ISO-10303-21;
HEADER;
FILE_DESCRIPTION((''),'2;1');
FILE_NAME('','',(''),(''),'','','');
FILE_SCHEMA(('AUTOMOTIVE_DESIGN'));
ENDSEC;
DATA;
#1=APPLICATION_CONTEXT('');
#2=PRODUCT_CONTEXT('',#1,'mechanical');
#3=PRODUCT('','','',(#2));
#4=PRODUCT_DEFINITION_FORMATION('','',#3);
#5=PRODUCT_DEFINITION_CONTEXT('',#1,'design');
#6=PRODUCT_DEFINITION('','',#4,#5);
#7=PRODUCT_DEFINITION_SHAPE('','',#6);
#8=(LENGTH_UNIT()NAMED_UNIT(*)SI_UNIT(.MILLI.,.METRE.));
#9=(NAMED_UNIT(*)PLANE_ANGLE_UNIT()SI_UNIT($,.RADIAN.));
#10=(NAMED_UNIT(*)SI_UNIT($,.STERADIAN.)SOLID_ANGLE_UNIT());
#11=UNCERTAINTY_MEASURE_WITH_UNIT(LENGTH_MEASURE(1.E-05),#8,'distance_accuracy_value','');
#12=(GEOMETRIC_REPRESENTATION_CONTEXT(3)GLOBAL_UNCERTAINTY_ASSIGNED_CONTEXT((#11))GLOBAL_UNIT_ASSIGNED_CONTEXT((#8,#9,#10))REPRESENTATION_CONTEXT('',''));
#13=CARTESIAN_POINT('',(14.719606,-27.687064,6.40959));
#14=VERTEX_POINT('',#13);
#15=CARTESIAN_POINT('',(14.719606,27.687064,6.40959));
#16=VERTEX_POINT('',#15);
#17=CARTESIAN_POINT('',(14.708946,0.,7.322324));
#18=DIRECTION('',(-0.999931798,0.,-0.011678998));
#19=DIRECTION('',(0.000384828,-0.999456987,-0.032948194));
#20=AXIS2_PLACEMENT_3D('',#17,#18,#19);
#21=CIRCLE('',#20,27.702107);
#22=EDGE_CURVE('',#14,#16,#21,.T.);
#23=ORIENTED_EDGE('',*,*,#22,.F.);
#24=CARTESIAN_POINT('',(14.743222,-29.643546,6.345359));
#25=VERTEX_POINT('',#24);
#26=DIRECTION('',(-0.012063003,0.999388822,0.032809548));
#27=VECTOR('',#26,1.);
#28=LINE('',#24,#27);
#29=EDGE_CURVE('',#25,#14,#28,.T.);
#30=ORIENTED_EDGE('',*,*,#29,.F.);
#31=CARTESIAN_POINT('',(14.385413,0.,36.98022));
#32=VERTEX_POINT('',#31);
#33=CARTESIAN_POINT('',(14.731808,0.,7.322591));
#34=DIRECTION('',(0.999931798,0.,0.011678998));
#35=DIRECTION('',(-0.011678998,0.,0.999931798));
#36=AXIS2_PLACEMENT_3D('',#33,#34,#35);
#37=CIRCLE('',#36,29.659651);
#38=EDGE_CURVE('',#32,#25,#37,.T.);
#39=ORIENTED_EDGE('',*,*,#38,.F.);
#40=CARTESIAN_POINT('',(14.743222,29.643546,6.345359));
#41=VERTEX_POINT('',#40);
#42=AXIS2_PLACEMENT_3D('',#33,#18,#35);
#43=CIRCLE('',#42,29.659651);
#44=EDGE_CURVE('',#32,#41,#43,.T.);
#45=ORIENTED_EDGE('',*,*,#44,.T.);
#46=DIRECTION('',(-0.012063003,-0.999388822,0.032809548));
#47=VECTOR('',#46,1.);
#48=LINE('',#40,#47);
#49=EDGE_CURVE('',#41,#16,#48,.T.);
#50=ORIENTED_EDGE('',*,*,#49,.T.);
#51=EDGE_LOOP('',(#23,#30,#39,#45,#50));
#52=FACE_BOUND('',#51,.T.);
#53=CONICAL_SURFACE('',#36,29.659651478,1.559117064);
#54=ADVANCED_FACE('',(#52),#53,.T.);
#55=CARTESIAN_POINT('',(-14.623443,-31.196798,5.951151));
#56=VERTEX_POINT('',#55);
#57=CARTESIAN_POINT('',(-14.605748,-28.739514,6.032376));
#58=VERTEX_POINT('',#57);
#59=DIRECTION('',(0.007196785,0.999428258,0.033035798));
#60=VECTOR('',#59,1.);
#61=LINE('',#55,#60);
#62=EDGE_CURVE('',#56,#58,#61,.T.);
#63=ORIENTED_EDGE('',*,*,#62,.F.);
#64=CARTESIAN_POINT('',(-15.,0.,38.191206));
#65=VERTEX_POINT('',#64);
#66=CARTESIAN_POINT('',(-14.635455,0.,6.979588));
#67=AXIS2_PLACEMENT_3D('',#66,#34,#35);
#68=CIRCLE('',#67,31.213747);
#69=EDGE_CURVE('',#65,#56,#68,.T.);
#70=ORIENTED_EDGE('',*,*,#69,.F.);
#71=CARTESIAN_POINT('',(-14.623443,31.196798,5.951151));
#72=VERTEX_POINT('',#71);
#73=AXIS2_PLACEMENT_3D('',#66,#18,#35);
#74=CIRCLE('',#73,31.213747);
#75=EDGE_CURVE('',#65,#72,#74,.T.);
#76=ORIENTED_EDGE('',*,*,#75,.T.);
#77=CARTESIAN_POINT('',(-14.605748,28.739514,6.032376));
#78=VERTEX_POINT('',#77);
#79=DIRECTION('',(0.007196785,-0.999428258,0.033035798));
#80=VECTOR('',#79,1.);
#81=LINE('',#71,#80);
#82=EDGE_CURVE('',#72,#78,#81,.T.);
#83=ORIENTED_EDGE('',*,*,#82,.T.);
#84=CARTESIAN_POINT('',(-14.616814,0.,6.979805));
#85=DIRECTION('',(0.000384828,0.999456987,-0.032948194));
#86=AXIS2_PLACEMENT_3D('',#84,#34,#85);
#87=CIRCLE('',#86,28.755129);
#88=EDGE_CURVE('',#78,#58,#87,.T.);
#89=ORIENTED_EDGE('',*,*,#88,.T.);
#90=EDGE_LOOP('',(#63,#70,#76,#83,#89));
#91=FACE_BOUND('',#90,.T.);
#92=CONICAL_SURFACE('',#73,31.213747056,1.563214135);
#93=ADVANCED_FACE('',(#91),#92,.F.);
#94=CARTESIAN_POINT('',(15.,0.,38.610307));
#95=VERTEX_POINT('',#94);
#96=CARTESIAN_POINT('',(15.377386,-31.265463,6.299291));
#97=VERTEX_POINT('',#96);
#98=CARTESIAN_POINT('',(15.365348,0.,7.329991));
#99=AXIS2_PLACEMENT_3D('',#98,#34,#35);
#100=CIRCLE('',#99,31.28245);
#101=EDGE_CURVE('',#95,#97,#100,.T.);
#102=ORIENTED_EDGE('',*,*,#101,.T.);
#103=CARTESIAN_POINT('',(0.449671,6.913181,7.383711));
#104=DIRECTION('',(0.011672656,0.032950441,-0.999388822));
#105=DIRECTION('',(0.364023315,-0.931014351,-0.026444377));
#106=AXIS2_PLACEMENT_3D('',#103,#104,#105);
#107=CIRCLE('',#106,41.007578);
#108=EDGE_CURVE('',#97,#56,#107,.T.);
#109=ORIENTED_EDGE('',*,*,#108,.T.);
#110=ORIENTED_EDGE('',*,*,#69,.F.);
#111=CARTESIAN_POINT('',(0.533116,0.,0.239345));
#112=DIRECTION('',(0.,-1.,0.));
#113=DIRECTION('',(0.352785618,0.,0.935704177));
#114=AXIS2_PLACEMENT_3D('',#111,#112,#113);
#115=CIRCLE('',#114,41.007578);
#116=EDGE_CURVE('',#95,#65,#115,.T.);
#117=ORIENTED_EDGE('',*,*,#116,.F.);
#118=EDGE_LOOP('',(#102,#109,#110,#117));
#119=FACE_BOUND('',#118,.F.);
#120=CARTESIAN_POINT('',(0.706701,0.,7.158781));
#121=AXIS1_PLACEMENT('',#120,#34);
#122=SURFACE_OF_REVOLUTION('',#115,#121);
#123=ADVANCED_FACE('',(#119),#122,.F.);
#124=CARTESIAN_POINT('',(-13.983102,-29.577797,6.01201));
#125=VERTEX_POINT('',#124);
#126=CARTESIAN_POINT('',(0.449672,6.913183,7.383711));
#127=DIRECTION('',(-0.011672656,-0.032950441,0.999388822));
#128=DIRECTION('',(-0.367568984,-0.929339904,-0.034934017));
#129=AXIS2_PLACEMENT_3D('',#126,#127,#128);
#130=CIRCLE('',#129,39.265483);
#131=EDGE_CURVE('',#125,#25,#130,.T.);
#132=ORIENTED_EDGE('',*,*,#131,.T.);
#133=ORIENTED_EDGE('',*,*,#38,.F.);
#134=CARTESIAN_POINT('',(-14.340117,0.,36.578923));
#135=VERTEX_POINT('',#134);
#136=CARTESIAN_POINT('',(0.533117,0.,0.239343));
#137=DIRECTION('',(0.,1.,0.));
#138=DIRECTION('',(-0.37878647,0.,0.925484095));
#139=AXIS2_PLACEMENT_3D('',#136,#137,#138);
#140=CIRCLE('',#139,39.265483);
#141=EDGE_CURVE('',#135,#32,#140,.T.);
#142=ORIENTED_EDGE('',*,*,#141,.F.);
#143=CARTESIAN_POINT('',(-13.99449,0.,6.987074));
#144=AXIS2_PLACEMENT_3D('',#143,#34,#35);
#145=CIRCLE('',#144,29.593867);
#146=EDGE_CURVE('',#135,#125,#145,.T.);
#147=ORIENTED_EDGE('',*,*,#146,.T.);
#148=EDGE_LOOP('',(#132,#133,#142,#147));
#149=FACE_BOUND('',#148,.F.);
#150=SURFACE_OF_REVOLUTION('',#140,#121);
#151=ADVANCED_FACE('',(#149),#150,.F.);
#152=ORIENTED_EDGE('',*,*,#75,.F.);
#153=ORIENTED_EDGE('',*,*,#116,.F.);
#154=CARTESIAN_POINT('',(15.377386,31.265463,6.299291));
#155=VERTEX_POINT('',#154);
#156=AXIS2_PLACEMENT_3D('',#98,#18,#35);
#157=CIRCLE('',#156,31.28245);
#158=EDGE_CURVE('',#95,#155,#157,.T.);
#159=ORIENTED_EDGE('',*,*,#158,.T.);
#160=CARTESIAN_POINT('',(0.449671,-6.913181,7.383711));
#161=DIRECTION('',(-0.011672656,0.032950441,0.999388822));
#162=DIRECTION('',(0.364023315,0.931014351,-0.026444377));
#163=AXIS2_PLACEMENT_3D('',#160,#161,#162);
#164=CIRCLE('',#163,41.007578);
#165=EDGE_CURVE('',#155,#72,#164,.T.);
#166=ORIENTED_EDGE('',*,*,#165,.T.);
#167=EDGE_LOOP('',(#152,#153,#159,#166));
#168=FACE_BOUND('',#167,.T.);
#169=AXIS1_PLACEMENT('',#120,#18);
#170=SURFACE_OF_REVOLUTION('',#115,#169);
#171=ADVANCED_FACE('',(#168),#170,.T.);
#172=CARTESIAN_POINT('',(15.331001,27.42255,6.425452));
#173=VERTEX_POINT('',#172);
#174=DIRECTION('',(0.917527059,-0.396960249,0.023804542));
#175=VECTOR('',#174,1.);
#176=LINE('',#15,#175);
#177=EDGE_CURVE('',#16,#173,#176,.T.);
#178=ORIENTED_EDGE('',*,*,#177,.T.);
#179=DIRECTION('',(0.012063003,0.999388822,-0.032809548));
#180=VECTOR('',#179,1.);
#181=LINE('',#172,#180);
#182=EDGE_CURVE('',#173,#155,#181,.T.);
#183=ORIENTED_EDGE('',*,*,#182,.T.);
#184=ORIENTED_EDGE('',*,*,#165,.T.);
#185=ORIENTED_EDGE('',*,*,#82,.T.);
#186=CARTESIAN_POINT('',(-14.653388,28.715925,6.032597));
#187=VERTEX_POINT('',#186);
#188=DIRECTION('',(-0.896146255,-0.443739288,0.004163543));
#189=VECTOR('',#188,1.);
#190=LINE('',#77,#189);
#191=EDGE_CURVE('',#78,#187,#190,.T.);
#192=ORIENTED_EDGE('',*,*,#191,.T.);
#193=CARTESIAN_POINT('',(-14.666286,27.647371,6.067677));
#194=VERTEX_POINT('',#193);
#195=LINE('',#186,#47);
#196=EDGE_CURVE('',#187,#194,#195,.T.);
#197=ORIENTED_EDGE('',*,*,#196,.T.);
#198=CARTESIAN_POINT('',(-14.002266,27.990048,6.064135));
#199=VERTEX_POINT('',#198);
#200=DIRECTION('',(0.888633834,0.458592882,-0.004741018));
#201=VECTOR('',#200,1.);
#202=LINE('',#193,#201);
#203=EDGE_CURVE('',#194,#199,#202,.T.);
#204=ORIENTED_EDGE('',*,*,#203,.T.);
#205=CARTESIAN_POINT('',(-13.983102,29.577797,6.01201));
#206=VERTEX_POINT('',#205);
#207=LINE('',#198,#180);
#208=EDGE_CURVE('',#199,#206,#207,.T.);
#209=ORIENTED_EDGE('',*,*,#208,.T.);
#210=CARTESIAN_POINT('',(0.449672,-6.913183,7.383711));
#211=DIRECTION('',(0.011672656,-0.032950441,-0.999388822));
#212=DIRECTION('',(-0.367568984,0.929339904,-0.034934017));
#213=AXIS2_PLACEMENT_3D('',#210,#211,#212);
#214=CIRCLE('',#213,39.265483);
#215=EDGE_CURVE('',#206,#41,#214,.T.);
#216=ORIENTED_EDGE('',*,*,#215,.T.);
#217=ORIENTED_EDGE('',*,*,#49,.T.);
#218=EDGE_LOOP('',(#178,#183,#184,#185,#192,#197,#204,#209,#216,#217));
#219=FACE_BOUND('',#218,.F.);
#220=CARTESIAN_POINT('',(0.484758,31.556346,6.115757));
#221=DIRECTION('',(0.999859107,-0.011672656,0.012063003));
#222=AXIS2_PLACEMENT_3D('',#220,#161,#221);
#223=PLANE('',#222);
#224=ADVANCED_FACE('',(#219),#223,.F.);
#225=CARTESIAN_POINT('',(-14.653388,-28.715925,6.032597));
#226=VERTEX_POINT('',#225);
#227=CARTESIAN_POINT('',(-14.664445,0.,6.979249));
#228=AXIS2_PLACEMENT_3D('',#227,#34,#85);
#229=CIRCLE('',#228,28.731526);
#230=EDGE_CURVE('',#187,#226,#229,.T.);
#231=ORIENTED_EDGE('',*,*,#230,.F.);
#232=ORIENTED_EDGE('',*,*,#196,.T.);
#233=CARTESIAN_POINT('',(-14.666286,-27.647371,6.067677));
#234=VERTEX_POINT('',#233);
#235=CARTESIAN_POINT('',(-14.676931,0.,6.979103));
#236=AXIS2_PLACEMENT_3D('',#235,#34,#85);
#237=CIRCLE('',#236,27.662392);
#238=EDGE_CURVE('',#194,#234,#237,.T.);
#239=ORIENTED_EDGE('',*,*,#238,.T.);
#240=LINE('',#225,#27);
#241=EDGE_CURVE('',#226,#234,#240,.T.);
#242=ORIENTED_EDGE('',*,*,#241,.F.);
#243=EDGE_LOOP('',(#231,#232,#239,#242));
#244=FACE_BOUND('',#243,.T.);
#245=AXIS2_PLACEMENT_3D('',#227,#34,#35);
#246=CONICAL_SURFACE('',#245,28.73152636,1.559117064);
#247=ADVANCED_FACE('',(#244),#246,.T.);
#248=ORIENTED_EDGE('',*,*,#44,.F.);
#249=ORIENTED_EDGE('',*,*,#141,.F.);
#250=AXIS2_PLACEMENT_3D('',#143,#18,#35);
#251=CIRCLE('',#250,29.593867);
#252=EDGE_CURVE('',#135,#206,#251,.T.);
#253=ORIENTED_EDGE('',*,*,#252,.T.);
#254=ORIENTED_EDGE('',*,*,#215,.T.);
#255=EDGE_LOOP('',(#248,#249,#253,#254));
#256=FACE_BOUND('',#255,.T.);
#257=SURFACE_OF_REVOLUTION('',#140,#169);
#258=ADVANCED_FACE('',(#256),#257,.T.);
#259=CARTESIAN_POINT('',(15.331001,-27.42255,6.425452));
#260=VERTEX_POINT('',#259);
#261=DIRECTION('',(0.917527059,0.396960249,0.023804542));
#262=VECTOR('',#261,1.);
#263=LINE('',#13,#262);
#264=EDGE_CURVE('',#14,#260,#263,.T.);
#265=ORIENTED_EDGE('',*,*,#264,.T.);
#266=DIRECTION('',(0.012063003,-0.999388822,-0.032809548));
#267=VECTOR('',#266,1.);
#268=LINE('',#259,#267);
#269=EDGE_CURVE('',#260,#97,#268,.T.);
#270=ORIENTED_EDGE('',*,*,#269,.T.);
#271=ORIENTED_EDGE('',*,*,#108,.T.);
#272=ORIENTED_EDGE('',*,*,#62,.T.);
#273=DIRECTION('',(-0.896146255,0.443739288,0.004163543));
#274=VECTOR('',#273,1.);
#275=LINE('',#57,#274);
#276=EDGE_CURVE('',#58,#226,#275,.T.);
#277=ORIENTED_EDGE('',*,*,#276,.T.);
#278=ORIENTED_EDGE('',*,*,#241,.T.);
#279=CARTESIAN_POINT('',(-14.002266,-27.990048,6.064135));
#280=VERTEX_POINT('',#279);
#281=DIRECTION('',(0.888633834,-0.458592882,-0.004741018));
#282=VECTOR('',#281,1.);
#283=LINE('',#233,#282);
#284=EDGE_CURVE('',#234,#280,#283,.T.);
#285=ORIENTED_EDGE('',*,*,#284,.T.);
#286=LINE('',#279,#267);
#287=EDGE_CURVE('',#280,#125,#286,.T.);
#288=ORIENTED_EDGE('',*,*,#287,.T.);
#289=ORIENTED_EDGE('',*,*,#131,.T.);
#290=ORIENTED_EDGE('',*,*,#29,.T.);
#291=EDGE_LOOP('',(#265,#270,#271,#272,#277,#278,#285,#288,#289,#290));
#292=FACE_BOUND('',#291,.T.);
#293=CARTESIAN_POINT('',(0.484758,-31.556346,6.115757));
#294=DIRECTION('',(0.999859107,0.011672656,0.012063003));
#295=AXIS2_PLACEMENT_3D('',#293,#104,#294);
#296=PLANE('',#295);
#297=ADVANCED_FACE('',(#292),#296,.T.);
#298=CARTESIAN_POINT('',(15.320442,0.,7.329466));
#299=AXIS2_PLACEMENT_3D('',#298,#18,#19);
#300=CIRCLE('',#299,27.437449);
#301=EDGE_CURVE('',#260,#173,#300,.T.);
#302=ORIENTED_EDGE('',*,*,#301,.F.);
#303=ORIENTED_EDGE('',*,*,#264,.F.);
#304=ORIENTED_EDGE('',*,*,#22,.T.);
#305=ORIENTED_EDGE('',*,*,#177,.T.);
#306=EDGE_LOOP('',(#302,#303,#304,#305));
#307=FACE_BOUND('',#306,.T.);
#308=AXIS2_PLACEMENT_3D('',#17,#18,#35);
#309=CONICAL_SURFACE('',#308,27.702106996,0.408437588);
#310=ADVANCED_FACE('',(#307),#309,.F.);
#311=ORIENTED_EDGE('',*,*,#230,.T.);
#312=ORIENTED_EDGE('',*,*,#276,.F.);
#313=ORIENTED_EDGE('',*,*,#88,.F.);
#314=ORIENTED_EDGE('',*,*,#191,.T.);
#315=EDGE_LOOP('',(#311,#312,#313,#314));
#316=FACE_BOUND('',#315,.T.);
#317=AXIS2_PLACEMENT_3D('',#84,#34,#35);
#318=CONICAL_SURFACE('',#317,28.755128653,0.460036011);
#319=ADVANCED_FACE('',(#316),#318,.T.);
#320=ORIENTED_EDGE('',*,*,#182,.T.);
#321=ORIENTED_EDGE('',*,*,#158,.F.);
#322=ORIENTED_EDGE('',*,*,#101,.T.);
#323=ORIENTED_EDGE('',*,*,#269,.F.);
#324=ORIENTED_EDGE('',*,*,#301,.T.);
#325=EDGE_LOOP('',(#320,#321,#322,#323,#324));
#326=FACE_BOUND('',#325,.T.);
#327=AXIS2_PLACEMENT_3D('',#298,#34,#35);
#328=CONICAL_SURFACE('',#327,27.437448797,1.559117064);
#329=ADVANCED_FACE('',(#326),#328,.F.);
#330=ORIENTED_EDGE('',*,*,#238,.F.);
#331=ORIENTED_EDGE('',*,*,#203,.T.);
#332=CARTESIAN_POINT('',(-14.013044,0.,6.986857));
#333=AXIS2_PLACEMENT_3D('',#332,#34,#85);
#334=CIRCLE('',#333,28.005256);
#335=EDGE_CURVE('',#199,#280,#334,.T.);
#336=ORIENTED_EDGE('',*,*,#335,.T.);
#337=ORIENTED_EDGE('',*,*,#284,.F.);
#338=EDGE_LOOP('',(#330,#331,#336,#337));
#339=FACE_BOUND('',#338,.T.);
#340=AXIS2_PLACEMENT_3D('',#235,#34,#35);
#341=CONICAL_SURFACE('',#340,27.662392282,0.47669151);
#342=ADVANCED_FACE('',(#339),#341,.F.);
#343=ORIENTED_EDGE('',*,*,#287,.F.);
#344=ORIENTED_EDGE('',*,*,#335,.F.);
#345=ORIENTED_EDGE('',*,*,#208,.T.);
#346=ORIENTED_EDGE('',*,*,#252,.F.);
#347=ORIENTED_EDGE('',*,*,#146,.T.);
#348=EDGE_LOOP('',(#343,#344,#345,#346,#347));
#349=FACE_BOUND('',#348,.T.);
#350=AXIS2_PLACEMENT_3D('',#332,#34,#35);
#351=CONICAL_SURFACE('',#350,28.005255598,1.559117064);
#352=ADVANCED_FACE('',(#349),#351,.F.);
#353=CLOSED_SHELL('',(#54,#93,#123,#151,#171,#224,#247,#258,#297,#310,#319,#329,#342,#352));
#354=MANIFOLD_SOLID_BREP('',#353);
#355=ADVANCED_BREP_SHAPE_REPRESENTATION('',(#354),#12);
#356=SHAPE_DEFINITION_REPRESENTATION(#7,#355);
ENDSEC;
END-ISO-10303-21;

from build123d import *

# Parameters (mm, degrees)
F1_ANGLE = 183.776526


with BuildPart() as f1:
    # F0 (on Front) → F1 (revolve, symmetric)
    with BuildSketch(Plane.XZ) as f1_sk:
        with BuildLine():
            ThreePointArc((15, 38.610307), (-0.039705, 41.242922), (-15, 38.191206))
            Line((-15, 38.191206), (-14.952645, 35.732973))
            Line((-14.952645, 35.732973), (-15, 35.708816))
            Line((-15, 35.708816), (-15, 34.639609))
            Line((-15, 34.639609), (-14.340117, 34.990203))
            Line((-14.340117, 34.990203), (-14.340117, 36.578923))
            ThreePointArc((-14.340117, 36.578923), (-0.01537, 39.500995), (14.385413, 36.98022))
            Line((14.385413, 36.98022), (14.385413, 35.022542))
            Line((14.385413, 35.022542), (15, 34.765044))
            Line((15, 34.765044), (15, 35.966083))
            Line((15, 35.966083), (15, 38.610307))
        make_face()
    revolve(axis=Axis((0.706701, 0, 7.158781), (0.999932, 0, 0.011679)), revolution_arc=F1_ANGLE / 2)
    revolve(f1_sk.sketch, axis=Axis((0.706701, 0, 7.158781), (-0.999932, 0, -0.011679)), revolution_arc=F1_ANGLE / 2)


solid = f1.part
